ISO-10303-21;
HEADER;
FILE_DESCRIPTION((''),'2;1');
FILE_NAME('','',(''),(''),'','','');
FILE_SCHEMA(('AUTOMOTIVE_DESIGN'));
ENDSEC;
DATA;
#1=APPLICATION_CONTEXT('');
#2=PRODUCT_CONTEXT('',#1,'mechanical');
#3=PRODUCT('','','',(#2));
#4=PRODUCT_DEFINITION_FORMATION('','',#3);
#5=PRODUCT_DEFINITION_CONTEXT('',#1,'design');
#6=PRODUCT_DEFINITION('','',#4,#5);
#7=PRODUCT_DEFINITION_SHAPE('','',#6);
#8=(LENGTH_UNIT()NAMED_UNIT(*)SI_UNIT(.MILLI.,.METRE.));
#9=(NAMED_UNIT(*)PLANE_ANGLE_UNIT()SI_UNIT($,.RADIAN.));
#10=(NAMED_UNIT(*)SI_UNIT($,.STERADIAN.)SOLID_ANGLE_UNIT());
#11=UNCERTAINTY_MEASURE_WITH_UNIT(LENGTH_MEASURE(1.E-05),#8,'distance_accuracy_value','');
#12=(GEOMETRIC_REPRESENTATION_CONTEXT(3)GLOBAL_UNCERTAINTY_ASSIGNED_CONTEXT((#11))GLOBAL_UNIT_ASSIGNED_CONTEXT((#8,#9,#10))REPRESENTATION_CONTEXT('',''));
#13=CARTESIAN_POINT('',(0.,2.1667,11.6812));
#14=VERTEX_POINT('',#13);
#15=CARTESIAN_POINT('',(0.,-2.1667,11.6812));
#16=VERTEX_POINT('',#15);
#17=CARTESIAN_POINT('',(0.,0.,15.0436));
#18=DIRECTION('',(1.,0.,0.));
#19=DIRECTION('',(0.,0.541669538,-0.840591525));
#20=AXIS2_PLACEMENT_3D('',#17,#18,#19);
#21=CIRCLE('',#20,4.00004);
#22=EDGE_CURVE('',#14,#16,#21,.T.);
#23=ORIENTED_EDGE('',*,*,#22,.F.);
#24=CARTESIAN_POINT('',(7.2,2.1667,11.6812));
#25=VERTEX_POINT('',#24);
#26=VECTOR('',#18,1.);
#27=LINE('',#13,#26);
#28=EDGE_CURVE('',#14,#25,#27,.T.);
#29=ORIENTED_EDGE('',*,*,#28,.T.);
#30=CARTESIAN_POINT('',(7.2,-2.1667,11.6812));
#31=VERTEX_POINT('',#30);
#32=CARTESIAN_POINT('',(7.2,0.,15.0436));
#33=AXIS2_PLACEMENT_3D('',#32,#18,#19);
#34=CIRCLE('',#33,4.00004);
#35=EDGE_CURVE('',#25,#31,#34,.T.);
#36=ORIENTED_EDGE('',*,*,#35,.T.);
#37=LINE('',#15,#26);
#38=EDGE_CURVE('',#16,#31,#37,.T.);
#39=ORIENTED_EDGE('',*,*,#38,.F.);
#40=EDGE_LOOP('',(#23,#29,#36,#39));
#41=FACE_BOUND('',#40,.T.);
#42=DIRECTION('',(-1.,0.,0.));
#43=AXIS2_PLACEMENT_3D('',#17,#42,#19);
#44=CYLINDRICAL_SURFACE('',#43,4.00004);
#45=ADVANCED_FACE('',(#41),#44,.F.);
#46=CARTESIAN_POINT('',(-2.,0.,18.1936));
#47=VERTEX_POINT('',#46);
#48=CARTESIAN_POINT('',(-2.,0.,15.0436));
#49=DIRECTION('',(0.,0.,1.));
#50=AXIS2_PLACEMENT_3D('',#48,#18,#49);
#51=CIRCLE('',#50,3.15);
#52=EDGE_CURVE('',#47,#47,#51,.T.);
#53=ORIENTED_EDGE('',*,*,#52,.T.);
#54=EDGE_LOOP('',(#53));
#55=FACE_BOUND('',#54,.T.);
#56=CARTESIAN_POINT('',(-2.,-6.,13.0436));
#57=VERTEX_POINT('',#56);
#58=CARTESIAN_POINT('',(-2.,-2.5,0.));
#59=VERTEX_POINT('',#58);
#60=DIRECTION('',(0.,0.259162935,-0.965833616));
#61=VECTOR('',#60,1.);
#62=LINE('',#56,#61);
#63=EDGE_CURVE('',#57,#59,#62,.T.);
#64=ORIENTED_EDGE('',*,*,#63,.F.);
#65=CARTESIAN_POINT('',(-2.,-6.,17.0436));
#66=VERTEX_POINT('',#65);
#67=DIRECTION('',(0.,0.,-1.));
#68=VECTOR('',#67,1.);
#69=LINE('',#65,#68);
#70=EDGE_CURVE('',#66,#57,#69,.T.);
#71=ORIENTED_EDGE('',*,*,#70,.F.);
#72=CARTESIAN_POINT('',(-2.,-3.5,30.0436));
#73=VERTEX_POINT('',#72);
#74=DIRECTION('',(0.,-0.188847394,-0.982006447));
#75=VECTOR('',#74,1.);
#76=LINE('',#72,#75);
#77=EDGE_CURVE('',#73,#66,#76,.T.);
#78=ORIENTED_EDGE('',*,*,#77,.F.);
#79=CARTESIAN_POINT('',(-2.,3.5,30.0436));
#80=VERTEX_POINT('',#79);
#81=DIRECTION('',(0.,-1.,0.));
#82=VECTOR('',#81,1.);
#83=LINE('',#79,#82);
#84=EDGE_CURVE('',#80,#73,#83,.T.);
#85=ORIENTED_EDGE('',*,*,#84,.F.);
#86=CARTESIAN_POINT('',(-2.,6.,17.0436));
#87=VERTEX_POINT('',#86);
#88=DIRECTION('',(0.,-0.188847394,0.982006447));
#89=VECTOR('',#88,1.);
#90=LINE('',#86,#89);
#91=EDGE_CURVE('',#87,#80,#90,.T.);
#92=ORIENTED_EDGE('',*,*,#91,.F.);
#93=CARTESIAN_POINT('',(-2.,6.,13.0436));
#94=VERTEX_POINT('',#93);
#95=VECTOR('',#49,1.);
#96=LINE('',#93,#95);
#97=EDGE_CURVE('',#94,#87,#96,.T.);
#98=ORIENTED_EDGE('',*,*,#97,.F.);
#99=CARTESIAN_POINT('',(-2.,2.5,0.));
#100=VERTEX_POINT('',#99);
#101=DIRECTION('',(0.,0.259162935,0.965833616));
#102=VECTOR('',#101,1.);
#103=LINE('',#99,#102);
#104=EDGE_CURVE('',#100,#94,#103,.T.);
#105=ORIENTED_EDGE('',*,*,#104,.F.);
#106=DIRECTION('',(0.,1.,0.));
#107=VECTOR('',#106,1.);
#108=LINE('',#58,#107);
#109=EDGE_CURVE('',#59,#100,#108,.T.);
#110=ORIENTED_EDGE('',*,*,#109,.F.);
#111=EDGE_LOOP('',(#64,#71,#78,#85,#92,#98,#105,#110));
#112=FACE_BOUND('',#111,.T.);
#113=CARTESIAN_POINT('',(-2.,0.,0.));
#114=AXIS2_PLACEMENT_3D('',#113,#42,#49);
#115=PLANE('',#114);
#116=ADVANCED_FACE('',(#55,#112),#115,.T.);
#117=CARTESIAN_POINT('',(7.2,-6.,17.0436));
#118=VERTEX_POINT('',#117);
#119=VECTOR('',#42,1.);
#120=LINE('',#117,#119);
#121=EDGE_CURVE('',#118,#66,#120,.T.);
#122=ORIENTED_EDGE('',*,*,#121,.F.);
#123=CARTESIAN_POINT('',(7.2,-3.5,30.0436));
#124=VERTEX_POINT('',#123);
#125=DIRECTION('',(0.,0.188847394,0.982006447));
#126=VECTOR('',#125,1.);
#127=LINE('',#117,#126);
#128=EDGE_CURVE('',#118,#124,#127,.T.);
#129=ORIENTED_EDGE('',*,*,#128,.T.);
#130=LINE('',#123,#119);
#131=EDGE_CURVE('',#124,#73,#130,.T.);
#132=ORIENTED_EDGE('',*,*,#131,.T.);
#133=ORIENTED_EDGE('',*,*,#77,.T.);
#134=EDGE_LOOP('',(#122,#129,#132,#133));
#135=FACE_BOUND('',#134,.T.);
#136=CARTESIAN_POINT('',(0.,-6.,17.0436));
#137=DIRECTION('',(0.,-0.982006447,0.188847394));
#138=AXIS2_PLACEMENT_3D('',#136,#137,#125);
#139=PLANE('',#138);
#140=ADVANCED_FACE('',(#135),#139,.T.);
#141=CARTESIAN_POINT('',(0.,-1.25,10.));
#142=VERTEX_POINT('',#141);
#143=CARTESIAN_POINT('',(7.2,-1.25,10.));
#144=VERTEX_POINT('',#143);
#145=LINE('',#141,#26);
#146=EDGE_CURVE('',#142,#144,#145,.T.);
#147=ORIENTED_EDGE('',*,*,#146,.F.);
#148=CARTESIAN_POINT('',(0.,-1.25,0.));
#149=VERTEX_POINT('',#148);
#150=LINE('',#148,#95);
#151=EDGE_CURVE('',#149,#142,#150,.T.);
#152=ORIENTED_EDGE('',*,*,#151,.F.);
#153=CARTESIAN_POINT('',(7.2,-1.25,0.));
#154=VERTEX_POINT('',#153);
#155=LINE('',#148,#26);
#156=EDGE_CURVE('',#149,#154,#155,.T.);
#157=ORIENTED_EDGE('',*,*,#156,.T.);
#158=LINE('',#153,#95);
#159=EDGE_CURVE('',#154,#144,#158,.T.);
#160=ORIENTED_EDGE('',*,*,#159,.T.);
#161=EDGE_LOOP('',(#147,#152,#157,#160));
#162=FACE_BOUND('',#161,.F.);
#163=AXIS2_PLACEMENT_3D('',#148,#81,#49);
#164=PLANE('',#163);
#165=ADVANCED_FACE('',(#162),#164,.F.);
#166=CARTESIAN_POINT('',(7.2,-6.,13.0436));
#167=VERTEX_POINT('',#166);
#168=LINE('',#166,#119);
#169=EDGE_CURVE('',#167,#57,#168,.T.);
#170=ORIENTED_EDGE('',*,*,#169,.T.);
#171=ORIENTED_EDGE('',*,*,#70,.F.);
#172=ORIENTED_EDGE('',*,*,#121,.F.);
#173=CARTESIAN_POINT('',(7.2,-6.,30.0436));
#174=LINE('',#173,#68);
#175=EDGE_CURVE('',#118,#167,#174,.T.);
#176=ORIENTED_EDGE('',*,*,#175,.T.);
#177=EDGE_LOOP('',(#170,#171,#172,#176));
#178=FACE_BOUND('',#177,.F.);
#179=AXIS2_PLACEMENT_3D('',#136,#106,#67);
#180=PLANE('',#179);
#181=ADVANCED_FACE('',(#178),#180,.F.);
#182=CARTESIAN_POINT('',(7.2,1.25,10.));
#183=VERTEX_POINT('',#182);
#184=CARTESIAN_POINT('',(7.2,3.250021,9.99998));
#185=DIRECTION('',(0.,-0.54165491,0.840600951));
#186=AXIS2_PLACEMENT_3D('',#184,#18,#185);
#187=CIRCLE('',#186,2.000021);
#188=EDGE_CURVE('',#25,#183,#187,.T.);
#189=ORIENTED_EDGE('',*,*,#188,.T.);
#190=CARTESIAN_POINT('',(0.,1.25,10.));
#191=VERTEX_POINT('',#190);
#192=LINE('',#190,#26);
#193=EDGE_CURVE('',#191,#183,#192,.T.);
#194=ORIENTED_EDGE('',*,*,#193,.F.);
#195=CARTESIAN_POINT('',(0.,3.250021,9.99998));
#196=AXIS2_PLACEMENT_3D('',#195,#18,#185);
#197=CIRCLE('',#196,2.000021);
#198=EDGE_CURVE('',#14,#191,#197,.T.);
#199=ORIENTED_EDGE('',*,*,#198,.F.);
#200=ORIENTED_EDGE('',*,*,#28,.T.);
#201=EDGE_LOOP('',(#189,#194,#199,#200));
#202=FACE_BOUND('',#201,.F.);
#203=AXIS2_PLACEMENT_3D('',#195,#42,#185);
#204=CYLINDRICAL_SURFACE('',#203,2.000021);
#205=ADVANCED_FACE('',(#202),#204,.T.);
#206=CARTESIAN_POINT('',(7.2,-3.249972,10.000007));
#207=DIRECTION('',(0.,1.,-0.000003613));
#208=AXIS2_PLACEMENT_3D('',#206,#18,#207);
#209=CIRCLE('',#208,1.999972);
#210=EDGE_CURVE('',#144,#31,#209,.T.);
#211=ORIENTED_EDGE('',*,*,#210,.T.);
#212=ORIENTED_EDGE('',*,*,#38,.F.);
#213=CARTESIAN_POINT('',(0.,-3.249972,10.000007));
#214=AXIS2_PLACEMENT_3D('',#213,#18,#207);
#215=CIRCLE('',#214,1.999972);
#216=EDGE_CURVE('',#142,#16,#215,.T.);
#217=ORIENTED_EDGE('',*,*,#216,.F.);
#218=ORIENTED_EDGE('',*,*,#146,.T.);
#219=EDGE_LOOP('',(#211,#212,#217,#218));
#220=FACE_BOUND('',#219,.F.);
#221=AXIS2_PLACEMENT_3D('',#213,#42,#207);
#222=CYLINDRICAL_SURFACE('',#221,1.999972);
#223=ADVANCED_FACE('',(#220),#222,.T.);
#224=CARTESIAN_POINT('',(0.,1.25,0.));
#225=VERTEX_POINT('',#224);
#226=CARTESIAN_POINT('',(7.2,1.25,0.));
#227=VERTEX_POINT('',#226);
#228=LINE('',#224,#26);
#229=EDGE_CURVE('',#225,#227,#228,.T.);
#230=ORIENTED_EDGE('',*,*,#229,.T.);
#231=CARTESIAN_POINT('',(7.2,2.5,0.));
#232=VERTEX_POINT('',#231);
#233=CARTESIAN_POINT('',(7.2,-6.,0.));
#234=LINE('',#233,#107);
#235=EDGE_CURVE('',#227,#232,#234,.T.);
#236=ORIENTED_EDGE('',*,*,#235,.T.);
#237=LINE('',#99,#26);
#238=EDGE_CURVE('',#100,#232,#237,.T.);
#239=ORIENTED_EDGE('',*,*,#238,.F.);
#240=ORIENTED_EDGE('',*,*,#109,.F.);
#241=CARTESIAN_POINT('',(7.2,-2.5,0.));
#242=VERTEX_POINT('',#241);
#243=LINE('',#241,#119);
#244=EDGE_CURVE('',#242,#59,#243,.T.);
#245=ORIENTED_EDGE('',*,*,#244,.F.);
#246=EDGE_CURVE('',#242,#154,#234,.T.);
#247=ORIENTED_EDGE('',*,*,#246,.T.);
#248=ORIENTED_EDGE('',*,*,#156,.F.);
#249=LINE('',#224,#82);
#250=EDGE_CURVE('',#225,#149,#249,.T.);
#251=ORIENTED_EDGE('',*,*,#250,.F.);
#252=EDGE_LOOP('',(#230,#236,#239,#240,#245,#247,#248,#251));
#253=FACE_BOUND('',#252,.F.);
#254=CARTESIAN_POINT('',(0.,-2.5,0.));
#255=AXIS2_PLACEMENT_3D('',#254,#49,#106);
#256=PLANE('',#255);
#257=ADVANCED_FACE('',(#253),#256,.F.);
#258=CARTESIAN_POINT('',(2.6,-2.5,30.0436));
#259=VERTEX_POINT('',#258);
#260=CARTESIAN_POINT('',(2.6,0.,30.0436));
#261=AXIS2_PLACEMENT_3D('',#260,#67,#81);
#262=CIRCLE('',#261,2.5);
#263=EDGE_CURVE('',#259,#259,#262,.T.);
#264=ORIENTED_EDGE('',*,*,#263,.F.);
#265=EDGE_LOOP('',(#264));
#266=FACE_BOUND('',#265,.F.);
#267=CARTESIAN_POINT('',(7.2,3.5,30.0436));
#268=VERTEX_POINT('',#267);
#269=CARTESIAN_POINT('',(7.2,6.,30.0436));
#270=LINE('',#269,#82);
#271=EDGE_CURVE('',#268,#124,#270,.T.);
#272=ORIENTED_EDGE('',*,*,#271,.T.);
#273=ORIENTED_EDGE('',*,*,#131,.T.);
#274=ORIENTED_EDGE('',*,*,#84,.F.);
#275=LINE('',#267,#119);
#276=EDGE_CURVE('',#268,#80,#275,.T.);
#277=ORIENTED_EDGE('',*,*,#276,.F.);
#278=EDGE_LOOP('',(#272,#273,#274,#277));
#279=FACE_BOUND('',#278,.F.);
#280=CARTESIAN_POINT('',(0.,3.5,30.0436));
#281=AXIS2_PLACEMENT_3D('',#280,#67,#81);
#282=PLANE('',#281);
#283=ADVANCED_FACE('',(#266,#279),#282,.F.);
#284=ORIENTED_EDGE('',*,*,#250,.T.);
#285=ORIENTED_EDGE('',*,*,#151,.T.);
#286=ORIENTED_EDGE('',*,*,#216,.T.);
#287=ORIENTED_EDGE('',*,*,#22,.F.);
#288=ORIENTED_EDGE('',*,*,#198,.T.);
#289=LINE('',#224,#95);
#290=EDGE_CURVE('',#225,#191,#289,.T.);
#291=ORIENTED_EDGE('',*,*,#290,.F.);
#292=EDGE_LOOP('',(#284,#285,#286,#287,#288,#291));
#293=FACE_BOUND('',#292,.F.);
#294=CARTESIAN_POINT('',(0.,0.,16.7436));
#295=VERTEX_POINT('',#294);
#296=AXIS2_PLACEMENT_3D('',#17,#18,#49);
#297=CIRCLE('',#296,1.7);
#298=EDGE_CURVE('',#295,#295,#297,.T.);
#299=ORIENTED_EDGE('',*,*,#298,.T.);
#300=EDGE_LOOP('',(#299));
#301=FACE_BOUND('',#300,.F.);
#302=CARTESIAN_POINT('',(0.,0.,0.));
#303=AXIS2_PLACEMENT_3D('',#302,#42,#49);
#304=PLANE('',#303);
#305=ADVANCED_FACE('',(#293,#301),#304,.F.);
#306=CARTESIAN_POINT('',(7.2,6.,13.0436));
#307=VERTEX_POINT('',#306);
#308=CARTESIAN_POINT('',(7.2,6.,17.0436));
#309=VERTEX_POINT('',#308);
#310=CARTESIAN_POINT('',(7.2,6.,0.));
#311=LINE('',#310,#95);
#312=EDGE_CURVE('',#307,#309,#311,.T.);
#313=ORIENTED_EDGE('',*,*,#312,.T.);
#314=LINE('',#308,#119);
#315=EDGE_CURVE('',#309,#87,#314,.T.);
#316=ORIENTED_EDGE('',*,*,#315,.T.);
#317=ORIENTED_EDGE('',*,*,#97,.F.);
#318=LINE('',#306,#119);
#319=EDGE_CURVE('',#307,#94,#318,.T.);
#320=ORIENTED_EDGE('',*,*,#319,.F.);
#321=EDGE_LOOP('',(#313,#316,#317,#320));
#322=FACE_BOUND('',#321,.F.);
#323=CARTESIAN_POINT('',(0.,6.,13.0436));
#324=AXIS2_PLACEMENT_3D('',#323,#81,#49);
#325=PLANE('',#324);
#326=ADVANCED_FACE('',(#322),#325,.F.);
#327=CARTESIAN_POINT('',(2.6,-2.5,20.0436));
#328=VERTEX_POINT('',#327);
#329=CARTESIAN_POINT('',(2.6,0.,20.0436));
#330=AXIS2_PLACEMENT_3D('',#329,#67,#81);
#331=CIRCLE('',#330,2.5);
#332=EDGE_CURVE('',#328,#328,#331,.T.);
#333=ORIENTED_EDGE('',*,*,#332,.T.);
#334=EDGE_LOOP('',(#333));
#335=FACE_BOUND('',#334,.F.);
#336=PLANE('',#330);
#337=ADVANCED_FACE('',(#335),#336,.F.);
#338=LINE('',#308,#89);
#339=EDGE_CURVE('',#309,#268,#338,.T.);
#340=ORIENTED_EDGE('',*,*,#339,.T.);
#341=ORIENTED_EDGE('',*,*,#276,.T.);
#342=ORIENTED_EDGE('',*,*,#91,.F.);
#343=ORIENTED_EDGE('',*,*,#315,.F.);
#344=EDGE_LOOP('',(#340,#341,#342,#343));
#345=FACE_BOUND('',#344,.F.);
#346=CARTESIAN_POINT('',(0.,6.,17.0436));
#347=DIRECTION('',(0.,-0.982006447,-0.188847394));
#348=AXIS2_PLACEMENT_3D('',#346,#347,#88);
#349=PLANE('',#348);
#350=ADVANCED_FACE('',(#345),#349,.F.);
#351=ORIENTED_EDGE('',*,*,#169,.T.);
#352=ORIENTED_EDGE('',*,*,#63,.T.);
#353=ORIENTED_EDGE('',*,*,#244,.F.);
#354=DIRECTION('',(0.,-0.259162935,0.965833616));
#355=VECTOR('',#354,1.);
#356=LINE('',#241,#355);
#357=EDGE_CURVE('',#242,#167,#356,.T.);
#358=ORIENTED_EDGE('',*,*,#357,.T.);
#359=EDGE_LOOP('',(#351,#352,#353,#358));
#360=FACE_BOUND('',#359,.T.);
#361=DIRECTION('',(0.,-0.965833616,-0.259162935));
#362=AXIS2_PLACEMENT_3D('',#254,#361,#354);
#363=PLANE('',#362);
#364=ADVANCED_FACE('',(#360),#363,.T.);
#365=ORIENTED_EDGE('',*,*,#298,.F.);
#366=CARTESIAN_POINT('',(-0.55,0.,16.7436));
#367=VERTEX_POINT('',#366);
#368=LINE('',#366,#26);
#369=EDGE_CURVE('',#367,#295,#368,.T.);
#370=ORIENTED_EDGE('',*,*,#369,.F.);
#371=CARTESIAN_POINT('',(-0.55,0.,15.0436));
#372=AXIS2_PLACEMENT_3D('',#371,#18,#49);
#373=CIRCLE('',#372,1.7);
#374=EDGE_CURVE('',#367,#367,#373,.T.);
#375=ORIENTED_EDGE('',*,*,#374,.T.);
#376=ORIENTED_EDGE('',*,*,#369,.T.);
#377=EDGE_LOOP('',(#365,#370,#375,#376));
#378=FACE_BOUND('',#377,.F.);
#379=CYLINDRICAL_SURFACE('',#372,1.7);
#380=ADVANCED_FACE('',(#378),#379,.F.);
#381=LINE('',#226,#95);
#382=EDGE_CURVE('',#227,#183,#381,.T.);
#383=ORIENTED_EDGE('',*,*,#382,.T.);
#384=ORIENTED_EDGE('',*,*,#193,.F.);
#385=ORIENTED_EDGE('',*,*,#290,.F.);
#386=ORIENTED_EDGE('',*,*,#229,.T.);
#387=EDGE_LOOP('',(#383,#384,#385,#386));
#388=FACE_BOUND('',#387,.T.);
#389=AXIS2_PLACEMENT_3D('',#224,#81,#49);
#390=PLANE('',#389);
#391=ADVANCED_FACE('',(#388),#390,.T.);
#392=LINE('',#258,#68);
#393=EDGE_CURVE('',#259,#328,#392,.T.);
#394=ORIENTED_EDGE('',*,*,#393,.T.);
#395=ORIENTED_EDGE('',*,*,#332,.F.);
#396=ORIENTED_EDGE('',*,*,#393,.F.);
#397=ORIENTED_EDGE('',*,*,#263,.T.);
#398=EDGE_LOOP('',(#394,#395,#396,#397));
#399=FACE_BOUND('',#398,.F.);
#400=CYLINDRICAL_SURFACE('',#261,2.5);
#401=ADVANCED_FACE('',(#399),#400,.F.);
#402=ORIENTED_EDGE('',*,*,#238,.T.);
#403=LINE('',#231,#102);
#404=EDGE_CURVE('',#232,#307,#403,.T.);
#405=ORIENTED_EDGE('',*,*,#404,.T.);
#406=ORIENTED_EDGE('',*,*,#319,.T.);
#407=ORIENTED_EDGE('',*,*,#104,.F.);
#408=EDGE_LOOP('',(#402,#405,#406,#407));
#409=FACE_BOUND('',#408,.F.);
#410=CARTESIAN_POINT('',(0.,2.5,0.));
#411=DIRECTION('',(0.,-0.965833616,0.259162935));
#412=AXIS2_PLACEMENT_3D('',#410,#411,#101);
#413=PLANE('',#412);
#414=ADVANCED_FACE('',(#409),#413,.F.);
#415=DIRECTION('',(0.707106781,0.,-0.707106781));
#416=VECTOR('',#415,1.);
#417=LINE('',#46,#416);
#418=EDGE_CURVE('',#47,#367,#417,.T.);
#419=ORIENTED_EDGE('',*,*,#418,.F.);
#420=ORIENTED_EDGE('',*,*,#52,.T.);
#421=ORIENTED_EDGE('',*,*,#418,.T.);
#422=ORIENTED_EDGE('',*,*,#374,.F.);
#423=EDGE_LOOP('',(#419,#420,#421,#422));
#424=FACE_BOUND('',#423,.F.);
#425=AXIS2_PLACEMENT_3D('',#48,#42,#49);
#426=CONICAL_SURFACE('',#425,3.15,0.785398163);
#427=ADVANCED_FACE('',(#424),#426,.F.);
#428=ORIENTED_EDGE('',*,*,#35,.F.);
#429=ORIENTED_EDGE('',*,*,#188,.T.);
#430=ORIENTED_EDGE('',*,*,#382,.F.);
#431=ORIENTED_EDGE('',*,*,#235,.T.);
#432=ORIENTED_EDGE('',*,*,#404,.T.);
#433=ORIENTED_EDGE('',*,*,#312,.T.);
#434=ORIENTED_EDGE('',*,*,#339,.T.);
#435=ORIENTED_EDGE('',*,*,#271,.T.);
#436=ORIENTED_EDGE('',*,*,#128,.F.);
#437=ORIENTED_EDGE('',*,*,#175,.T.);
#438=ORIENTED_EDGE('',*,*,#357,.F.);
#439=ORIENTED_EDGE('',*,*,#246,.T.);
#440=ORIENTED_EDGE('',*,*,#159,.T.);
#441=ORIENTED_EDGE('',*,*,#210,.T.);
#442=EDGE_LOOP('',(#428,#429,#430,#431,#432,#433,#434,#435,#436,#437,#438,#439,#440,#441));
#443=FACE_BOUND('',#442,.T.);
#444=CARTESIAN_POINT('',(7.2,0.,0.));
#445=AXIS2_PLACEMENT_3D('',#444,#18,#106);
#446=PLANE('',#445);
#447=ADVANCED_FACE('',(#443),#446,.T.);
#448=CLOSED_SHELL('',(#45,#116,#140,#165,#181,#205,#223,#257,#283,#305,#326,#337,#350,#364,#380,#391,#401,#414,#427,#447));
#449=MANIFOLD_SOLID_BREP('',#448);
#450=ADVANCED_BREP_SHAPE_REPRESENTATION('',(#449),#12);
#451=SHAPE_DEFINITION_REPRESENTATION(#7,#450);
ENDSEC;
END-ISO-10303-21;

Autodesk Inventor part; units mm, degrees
ref_plane "YZ Plane" through (0, 0, 0) normal (1, 0, 0) x (0, 1, 0)
ref_plane "XZ Plane" through (0, 0, 0) normal (0, 1, 0) x (-1, 0, 0)
ref_plane "XY Plane" through (0, 0, 0) normal (0, 0, 1) x (1, 0, 0)
sketch "Sketch1" plane through (0, 0, 0) normal (1, 0, 0) x (0, 1, 0)
  line L0 (0, 0) -> (0, 15.0436) construction
  line L1 (-1.25, 0) -> (-1.25, 10)
  line L2 (1.25, 0) -> (1.25, 10)
  circle A0 centre (0, 15.0436) radius 2
  arc A1 (2.1667, 11.6812) -> (-2.1667, 11.6812) centre (0, 15.0436) ccw
  arc A2 (-1.25, 10) -> (-2.1667, 11.6812) centre (-3.25, 10) ccw
  arc A3 (2.1667, 11.6812) -> (1.25, 10) centre (3.25, 10) ccw
  line L3 (2.5, 20.0436) -> (-2.5, 20.0436) construction
  line L4 (-2.5, 20.0436) -> (-2.5, 30.0436) construction
  line L5 (-2.5, 30.0436) -> (2.5, 30.0436) construction
  line L6 (2.5, 30.0436) -> (2.5, 20.0436) construction
  line L7 (-6, 0) -> (6, 0)
  line L8 (6, 0) -> (6, 30.0436)
  line L9 (6, 30.0436) -> (-6, 30.0436)
  line L10 (-6, 30.0436) -> (-6, 0)
  line L11 (2.5, 0) -> (6, 13.0436)
  line L12 (6, 17.0436) -> (3.5, 30.0436)
  line L13 (6, 13.0436) -> (-6.1446, 13.0436) construction
  line L14 (6, 17.0436) -> (-6.1446, 17.0436) construction
  line L15 (-2.5, 0) -> (-6, 13.0436)
  line L16 (-6, 17.0436) -> (-3.5, 30.0436)
  point P0 (0, 20.0436)
  dimension "d0" = 2.5
  dimension "d1" = 4
  dimension "d2" = 2
  dimension "d3" = 2
  dimension "d4" = 10
  dimension "d5" = 10
  dimension "d6" = 5
  dimension "d7" = 1
  dimension "d8" = 2
  dimension "d9" = 2
  dimension "d10" = 7
extrude "Extrusion1" add sketch "Sketch1" along normal blind 7.2 contours L7 L15 L10 L16 L9 L12 L8 L11 L2 A3 A1 A2 L1
sketch "Sketch2" plane through (0, 0, 0) normal (-1, 0, 0) x (0, 0, 1)
  line L0 (0, -2.5) -> (0, -1.25) projected
  line L1 (0, 1.25) -> (0, 2.5) projected
  line L2 (0, 2.5) -> (13.0436, 6) projected
  line L3 (13.0436, 6) -> (17.0436, 6) projected
  line L4 (17.0436, 6) -> (30.0436, 3.5) projected
  line L5 (30.0436, 3.5) -> (30.0436, -3.5) projected
  line L6 (30.0436, -3.5) -> (17.0436, -6) projected
  line L7 (17.0436, -6) -> (13.0436, -6) projected
  line L8 (13.0436, -6) -> (0, -2.5) projected
  line L9 (0, -2.5) -> (0, -1.25) projected
  line L10 (0, 1.25) -> (0, -1.25)
  point P0 (0, 0)
extrude "Extrusion2" add sketch "Sketch2" along normal blind 2
sketch "Sketch3" plane through (-2, 0, 0) normal (-1, 0, 0) x (0, 0, 1)
  arc A0 (11.6812, -2.1667) -> (11.6812, 2.1667) centre (15.0436, 0) ccw projected
  point P0 (0, 0)
hole "Hole1" at (-2, 0, 15.0436) direction (1, 0, 0) diameter 3.4 end through all countersink diameter 6.3 countersink angle 90 clearance for "Countersunk Flat Head Screw DIN EN ISO 2009" size "M3" standard "DIN"
sketch "Sketch4" plane through (7.2, -3.5, 30.0436) normal (0, 0, 1) x (1, 0, 0)
  line L0 (-9.2, 0) -> (0, 0) construction
  line L1 (0, 7) -> (0, 0) construction
  line L2 (-9.2, 7) -> (0, 7) construction
  line L3 (-9.2, 0) -> (-9.2, 7) construction
  line L4 (0, 7) -> (-9.2, 0) construction
  line L5 (-9.2, 7) -> (0, 0) construction
  point P0 (-7.2, 3.5)
  point P1 (-4.6, 3.5)
hole "Hole2" at (2.6, 0, 30.0436) direction (0, 0, -1) diameter 5 depth 10
equation "\"d9\" = d8"
properties part number "BeltClampM5"
